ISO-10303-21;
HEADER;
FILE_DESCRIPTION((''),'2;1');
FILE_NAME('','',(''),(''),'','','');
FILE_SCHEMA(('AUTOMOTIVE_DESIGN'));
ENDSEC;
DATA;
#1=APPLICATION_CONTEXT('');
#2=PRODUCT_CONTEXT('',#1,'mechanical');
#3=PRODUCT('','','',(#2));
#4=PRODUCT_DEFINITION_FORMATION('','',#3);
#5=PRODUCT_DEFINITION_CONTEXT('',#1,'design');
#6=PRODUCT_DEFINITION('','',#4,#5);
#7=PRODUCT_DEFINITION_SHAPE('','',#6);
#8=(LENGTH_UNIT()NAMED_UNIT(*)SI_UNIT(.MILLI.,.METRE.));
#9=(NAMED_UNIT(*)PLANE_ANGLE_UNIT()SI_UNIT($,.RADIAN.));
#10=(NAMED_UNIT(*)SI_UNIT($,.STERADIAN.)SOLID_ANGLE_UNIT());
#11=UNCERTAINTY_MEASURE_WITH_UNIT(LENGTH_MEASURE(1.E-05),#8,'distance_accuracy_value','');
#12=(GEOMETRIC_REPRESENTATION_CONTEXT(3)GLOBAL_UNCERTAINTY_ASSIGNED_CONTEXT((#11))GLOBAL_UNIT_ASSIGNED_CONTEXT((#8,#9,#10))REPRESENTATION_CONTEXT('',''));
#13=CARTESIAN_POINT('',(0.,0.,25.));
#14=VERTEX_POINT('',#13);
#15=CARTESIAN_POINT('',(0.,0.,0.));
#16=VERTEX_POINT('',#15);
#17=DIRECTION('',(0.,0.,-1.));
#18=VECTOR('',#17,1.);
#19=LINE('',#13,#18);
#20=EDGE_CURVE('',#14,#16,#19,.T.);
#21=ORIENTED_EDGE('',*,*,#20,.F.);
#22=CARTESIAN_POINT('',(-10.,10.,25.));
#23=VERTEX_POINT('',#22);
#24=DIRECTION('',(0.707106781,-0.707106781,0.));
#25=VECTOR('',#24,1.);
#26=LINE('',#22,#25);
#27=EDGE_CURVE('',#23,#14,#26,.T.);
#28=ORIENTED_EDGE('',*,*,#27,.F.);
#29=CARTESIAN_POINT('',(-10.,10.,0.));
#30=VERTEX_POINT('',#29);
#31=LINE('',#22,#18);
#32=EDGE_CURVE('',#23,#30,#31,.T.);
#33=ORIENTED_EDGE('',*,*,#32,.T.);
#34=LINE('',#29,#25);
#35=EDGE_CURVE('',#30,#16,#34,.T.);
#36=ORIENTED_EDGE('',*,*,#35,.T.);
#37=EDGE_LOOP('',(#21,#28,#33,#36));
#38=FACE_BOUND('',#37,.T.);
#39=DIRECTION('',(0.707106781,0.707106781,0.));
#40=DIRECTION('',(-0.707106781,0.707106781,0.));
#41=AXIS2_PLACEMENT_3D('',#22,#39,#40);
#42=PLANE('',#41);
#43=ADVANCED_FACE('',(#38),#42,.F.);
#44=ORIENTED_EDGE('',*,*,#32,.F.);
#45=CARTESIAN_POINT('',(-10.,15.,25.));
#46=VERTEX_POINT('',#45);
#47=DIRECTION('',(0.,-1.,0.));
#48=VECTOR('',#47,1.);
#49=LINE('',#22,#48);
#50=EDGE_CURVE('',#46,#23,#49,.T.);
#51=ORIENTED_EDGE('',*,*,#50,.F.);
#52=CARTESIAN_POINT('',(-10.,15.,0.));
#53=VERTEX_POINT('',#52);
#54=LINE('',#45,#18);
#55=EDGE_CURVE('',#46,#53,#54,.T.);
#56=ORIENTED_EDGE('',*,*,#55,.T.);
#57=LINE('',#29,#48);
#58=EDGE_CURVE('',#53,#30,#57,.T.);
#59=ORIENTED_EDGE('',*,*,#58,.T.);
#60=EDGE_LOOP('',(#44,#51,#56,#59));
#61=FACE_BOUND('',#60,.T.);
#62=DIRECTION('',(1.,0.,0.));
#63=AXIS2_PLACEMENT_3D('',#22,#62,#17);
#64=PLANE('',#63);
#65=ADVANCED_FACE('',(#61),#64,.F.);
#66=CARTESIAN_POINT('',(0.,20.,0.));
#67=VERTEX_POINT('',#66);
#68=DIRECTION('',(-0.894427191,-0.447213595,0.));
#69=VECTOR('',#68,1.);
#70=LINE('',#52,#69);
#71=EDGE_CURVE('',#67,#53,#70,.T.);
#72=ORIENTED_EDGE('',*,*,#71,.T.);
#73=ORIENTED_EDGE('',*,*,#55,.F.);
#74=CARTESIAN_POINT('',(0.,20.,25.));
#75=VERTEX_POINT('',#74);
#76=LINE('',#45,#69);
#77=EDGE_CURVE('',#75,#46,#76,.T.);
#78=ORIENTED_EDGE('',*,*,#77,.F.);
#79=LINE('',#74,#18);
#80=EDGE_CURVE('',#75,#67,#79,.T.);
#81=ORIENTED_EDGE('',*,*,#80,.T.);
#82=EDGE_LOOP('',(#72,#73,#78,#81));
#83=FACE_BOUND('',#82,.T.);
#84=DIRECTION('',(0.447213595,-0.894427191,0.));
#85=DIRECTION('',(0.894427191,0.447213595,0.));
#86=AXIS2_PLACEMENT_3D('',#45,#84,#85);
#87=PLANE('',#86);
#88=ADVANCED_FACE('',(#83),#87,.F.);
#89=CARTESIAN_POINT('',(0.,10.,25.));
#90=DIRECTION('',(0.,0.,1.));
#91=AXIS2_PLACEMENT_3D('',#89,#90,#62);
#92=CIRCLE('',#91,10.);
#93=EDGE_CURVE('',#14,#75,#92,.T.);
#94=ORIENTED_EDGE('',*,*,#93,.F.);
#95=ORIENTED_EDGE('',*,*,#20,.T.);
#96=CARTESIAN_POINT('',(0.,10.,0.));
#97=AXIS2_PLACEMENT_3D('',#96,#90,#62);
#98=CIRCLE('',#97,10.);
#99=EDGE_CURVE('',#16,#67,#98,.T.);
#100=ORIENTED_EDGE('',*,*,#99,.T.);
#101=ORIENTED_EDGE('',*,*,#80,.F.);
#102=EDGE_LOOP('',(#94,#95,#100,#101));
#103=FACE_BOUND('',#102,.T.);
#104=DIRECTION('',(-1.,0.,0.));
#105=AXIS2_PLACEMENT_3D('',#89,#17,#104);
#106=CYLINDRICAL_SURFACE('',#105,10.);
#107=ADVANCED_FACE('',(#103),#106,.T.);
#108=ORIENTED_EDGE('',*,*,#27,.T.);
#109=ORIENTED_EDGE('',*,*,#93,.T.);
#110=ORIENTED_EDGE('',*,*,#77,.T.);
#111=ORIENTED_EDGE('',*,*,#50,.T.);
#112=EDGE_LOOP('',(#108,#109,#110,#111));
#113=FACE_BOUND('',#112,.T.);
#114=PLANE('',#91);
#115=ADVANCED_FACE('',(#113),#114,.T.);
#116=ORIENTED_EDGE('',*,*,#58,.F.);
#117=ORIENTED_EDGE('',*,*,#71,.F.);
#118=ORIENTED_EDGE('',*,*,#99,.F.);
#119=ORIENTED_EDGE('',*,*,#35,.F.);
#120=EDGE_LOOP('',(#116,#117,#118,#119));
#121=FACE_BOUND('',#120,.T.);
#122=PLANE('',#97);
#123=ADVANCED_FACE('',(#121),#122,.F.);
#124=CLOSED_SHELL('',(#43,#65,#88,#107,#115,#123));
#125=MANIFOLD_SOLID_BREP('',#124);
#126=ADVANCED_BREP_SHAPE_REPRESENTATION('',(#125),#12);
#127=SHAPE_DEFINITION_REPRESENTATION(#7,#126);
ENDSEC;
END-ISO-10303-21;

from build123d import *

# Parameters (mm, degrees)
BOSS_EXTRUDE1_DEPTH = 25


with BuildPart() as part:
    # Sketch1 → Boss-Extrude1 (new body)
    with BuildSketch(Plane.XY):
        with BuildLine():
            Line((-10, 10), (-10, 15))
            Line((-10, 15), (0, 20))
            ThreePointArc((0, 20), (10, 10), (0, 0))
            Line((0, 0), (-10, 10))
        make_face()
    extrude(amount=BOSS_EXTRUDE1_DEPTH)


solid = part.part
